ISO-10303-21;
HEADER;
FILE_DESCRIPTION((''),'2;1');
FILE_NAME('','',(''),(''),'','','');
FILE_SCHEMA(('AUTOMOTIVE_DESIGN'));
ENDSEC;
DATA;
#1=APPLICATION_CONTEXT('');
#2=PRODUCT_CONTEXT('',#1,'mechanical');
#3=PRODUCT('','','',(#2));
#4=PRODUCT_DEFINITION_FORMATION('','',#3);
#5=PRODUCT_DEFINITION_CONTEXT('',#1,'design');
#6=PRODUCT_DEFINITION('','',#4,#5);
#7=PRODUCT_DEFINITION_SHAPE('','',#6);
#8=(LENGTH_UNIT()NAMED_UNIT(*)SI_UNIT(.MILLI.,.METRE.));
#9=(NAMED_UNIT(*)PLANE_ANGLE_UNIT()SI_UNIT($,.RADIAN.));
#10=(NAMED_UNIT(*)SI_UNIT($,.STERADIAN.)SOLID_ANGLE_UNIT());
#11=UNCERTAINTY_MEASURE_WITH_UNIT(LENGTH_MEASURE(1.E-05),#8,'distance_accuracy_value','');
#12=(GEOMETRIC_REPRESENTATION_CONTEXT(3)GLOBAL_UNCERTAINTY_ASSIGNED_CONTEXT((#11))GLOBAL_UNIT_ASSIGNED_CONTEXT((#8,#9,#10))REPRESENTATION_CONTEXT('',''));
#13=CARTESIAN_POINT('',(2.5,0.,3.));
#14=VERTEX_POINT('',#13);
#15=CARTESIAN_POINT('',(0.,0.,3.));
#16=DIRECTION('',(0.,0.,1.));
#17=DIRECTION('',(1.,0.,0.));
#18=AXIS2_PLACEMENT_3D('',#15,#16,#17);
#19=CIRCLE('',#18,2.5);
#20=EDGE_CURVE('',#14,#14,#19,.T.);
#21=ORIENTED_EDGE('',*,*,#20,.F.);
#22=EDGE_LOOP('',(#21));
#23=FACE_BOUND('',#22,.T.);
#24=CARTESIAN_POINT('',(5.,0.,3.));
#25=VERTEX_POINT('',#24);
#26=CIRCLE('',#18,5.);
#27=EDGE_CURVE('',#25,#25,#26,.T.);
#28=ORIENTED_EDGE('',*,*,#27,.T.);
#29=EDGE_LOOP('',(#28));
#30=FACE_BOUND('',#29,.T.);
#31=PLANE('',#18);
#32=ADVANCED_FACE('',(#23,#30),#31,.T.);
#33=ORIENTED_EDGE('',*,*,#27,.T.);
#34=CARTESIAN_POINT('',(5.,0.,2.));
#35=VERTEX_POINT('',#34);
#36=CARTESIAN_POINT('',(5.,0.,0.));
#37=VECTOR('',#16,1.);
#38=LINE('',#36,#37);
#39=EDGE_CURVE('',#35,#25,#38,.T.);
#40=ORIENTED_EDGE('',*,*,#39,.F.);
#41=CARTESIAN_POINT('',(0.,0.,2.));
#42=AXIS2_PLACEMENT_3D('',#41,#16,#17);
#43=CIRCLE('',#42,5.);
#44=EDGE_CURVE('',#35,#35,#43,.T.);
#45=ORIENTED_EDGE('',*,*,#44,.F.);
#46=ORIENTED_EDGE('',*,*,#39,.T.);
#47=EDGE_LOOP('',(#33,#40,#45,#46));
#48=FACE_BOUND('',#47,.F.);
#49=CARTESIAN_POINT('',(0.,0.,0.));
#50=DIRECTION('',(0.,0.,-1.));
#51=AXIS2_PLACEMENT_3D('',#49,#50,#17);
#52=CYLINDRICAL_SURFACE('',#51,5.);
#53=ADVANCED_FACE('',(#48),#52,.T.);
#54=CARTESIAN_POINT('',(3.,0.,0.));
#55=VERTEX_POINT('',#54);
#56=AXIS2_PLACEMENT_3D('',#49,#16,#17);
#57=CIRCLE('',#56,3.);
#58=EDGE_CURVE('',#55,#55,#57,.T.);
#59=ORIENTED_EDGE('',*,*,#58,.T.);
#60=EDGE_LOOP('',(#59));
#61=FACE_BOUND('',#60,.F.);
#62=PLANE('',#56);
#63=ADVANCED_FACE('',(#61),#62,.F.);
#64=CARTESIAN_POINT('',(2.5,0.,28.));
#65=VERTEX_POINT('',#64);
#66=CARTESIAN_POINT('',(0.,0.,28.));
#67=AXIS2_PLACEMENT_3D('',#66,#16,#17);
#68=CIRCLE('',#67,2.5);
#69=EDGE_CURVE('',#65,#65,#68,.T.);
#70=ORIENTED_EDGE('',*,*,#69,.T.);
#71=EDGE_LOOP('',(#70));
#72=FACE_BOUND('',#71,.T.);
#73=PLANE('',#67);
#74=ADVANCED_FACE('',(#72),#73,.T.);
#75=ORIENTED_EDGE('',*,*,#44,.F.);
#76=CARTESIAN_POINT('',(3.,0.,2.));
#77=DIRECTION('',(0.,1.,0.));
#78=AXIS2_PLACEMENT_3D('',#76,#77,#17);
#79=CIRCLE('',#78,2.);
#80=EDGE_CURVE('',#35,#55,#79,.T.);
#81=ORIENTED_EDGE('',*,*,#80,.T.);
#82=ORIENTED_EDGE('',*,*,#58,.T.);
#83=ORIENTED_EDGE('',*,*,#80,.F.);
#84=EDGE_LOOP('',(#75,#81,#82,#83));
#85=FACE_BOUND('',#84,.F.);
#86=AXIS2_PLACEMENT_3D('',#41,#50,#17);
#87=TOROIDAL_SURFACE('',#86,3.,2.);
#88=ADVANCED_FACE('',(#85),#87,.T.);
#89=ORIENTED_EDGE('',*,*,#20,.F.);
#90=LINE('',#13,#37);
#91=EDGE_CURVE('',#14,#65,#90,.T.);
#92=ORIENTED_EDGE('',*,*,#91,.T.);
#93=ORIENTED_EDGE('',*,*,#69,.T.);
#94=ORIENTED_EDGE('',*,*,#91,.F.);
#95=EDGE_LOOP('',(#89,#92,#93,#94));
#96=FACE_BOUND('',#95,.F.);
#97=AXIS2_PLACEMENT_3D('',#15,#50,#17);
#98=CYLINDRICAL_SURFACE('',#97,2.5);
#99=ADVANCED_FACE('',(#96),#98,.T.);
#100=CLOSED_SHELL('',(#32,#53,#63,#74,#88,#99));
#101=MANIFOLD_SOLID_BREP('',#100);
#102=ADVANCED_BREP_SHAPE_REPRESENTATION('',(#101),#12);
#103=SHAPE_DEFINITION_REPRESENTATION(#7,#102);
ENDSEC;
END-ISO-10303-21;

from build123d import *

# Parameters (mm, degrees)
SKETCH_R     = 5
PAD_DEPTH    = 3
SKETCH001_R  = 2.5
PAD001_DEPTH = 25
FILLET_R     = 2


with BuildPart() as part:
    # Sketch → Pad (new body)
    with BuildSketch(Plane.XY):
        Circle(SKETCH_R)
    extrude(amount=PAD_DEPTH)

    # Sketch001 → Pad001 (new body)
    with BuildSketch(Plane.XY.offset(3)):
        Circle(SKETCH001_R)
    extrude(amount=PAD001_DEPTH)

    # Fillet
    fillet_edges = [part.edges().sort_by_distance(p)[0] for p in [
        (-5, 0, 0),
    ]]
    fillet(fillet_edges, radius=FILLET_R)


solid = part.part
